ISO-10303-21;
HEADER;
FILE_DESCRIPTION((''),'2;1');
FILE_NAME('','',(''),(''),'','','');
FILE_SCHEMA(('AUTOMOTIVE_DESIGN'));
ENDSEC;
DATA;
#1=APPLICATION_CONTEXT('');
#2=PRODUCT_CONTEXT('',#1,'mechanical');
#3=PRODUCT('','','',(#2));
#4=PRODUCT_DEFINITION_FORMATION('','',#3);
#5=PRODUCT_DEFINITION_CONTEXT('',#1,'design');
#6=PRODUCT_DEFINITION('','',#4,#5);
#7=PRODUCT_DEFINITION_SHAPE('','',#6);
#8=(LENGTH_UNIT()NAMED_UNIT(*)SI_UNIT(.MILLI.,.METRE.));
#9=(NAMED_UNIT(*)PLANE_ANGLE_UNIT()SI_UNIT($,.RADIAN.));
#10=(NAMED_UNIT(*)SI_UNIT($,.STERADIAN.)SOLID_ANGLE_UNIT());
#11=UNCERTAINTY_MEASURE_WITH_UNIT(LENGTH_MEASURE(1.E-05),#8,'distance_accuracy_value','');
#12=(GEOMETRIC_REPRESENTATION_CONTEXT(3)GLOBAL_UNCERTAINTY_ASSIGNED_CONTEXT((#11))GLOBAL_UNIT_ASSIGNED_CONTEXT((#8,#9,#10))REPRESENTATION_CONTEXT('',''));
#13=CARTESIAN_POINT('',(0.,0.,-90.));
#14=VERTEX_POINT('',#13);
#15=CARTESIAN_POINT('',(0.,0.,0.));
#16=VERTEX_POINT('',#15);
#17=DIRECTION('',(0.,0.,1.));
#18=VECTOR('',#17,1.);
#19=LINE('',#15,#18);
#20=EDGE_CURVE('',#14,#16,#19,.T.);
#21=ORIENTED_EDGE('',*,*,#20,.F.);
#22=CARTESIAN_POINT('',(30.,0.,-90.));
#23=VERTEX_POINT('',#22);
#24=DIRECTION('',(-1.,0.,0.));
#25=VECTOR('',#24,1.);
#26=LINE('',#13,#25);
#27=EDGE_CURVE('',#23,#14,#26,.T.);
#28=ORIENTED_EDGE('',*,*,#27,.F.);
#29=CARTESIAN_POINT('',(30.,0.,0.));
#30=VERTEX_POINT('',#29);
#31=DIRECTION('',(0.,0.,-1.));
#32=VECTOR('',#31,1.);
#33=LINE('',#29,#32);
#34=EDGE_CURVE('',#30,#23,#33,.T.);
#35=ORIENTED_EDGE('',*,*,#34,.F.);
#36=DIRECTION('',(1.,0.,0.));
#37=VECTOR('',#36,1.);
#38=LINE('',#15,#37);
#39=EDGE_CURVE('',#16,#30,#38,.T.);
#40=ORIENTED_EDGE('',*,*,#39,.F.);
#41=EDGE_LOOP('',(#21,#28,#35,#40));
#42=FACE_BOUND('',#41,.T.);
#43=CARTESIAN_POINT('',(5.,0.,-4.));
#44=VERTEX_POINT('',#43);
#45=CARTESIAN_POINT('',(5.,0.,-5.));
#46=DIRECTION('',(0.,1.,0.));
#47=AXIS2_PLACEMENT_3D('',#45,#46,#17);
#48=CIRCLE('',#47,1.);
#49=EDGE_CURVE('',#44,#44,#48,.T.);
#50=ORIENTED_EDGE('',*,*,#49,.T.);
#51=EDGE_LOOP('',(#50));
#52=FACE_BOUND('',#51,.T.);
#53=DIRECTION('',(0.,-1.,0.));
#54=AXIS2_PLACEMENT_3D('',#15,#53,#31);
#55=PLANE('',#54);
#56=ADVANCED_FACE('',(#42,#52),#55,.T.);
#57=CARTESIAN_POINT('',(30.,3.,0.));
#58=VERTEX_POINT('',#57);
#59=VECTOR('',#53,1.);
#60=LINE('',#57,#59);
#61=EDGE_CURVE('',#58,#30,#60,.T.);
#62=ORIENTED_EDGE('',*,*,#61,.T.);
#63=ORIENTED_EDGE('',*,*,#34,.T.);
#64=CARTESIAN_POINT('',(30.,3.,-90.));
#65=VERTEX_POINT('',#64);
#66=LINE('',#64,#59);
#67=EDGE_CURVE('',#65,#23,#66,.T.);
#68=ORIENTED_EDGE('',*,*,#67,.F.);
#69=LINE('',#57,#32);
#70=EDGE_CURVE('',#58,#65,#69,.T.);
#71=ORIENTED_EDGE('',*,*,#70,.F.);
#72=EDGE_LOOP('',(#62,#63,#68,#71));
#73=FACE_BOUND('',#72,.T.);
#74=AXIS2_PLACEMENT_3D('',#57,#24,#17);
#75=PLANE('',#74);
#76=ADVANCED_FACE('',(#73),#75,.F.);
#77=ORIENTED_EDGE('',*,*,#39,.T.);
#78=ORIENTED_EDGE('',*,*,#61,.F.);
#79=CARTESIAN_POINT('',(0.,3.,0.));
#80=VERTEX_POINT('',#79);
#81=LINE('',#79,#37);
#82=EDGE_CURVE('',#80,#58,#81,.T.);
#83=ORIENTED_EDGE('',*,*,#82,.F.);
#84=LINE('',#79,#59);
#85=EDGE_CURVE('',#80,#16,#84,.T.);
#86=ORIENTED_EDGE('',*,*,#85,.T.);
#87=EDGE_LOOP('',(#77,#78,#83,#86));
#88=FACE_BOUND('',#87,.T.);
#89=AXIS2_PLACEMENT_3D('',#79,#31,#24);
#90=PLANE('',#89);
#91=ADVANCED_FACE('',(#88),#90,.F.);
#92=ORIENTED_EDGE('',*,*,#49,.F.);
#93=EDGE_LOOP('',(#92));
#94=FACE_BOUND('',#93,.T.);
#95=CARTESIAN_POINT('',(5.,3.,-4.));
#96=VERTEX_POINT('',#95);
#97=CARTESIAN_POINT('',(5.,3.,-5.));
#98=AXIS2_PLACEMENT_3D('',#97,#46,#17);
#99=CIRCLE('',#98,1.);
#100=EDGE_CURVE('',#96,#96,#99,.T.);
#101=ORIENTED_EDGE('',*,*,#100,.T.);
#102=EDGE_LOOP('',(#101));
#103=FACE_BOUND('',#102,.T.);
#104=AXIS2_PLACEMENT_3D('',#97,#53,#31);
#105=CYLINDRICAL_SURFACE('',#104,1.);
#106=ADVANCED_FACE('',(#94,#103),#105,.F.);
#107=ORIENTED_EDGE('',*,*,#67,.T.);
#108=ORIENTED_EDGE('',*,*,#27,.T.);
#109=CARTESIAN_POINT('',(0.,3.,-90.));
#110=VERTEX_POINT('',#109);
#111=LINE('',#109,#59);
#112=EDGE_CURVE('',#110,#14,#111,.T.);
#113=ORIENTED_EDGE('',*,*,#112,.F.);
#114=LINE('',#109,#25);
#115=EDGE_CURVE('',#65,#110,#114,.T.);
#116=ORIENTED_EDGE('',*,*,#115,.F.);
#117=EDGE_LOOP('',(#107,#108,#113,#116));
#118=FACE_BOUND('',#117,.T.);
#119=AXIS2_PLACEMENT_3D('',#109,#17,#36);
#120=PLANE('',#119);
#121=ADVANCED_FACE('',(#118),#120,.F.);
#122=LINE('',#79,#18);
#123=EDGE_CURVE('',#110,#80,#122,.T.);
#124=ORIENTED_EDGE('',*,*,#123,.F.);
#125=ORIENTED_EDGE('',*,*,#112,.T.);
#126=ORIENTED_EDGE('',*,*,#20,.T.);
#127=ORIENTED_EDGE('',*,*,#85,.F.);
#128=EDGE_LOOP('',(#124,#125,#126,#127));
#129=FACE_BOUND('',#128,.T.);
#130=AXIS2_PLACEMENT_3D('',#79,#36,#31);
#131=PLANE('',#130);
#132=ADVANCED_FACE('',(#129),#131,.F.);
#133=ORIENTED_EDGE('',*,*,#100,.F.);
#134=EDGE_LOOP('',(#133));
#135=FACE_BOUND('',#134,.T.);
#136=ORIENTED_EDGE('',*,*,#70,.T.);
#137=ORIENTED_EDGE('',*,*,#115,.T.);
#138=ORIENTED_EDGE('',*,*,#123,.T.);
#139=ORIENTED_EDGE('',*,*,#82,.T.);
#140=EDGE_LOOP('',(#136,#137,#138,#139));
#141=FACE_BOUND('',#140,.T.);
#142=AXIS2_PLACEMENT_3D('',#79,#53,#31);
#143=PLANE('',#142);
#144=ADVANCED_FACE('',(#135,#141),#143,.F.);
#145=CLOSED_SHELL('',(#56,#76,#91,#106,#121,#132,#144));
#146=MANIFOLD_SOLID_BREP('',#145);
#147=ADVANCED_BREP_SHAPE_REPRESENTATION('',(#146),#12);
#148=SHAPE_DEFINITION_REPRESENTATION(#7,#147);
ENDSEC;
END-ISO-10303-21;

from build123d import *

# Parameters (mm, degrees)
SKETCH1_W           = 30
SKETCH1_H           = 90
SKETCH1_R           = 1
BOSS_EXTRUDE1_DEPTH = 3


with BuildPart() as part:
    # Sketch1 → Boss-Extrude1 (new body)
    with BuildSketch(Plane(origin=(0, 0, 0), x_dir=(1, 0, 0), z_dir=(0, 1, 0))):
        with Locations((15, 45)):
            Rectangle(SKETCH1_W, SKETCH1_H)
        with Locations((5, 5)):
            Circle(SKETCH1_R, mode=Mode.SUBTRACT)
    extrude(amount=BOSS_EXTRUDE1_DEPTH)


solid = part.part
